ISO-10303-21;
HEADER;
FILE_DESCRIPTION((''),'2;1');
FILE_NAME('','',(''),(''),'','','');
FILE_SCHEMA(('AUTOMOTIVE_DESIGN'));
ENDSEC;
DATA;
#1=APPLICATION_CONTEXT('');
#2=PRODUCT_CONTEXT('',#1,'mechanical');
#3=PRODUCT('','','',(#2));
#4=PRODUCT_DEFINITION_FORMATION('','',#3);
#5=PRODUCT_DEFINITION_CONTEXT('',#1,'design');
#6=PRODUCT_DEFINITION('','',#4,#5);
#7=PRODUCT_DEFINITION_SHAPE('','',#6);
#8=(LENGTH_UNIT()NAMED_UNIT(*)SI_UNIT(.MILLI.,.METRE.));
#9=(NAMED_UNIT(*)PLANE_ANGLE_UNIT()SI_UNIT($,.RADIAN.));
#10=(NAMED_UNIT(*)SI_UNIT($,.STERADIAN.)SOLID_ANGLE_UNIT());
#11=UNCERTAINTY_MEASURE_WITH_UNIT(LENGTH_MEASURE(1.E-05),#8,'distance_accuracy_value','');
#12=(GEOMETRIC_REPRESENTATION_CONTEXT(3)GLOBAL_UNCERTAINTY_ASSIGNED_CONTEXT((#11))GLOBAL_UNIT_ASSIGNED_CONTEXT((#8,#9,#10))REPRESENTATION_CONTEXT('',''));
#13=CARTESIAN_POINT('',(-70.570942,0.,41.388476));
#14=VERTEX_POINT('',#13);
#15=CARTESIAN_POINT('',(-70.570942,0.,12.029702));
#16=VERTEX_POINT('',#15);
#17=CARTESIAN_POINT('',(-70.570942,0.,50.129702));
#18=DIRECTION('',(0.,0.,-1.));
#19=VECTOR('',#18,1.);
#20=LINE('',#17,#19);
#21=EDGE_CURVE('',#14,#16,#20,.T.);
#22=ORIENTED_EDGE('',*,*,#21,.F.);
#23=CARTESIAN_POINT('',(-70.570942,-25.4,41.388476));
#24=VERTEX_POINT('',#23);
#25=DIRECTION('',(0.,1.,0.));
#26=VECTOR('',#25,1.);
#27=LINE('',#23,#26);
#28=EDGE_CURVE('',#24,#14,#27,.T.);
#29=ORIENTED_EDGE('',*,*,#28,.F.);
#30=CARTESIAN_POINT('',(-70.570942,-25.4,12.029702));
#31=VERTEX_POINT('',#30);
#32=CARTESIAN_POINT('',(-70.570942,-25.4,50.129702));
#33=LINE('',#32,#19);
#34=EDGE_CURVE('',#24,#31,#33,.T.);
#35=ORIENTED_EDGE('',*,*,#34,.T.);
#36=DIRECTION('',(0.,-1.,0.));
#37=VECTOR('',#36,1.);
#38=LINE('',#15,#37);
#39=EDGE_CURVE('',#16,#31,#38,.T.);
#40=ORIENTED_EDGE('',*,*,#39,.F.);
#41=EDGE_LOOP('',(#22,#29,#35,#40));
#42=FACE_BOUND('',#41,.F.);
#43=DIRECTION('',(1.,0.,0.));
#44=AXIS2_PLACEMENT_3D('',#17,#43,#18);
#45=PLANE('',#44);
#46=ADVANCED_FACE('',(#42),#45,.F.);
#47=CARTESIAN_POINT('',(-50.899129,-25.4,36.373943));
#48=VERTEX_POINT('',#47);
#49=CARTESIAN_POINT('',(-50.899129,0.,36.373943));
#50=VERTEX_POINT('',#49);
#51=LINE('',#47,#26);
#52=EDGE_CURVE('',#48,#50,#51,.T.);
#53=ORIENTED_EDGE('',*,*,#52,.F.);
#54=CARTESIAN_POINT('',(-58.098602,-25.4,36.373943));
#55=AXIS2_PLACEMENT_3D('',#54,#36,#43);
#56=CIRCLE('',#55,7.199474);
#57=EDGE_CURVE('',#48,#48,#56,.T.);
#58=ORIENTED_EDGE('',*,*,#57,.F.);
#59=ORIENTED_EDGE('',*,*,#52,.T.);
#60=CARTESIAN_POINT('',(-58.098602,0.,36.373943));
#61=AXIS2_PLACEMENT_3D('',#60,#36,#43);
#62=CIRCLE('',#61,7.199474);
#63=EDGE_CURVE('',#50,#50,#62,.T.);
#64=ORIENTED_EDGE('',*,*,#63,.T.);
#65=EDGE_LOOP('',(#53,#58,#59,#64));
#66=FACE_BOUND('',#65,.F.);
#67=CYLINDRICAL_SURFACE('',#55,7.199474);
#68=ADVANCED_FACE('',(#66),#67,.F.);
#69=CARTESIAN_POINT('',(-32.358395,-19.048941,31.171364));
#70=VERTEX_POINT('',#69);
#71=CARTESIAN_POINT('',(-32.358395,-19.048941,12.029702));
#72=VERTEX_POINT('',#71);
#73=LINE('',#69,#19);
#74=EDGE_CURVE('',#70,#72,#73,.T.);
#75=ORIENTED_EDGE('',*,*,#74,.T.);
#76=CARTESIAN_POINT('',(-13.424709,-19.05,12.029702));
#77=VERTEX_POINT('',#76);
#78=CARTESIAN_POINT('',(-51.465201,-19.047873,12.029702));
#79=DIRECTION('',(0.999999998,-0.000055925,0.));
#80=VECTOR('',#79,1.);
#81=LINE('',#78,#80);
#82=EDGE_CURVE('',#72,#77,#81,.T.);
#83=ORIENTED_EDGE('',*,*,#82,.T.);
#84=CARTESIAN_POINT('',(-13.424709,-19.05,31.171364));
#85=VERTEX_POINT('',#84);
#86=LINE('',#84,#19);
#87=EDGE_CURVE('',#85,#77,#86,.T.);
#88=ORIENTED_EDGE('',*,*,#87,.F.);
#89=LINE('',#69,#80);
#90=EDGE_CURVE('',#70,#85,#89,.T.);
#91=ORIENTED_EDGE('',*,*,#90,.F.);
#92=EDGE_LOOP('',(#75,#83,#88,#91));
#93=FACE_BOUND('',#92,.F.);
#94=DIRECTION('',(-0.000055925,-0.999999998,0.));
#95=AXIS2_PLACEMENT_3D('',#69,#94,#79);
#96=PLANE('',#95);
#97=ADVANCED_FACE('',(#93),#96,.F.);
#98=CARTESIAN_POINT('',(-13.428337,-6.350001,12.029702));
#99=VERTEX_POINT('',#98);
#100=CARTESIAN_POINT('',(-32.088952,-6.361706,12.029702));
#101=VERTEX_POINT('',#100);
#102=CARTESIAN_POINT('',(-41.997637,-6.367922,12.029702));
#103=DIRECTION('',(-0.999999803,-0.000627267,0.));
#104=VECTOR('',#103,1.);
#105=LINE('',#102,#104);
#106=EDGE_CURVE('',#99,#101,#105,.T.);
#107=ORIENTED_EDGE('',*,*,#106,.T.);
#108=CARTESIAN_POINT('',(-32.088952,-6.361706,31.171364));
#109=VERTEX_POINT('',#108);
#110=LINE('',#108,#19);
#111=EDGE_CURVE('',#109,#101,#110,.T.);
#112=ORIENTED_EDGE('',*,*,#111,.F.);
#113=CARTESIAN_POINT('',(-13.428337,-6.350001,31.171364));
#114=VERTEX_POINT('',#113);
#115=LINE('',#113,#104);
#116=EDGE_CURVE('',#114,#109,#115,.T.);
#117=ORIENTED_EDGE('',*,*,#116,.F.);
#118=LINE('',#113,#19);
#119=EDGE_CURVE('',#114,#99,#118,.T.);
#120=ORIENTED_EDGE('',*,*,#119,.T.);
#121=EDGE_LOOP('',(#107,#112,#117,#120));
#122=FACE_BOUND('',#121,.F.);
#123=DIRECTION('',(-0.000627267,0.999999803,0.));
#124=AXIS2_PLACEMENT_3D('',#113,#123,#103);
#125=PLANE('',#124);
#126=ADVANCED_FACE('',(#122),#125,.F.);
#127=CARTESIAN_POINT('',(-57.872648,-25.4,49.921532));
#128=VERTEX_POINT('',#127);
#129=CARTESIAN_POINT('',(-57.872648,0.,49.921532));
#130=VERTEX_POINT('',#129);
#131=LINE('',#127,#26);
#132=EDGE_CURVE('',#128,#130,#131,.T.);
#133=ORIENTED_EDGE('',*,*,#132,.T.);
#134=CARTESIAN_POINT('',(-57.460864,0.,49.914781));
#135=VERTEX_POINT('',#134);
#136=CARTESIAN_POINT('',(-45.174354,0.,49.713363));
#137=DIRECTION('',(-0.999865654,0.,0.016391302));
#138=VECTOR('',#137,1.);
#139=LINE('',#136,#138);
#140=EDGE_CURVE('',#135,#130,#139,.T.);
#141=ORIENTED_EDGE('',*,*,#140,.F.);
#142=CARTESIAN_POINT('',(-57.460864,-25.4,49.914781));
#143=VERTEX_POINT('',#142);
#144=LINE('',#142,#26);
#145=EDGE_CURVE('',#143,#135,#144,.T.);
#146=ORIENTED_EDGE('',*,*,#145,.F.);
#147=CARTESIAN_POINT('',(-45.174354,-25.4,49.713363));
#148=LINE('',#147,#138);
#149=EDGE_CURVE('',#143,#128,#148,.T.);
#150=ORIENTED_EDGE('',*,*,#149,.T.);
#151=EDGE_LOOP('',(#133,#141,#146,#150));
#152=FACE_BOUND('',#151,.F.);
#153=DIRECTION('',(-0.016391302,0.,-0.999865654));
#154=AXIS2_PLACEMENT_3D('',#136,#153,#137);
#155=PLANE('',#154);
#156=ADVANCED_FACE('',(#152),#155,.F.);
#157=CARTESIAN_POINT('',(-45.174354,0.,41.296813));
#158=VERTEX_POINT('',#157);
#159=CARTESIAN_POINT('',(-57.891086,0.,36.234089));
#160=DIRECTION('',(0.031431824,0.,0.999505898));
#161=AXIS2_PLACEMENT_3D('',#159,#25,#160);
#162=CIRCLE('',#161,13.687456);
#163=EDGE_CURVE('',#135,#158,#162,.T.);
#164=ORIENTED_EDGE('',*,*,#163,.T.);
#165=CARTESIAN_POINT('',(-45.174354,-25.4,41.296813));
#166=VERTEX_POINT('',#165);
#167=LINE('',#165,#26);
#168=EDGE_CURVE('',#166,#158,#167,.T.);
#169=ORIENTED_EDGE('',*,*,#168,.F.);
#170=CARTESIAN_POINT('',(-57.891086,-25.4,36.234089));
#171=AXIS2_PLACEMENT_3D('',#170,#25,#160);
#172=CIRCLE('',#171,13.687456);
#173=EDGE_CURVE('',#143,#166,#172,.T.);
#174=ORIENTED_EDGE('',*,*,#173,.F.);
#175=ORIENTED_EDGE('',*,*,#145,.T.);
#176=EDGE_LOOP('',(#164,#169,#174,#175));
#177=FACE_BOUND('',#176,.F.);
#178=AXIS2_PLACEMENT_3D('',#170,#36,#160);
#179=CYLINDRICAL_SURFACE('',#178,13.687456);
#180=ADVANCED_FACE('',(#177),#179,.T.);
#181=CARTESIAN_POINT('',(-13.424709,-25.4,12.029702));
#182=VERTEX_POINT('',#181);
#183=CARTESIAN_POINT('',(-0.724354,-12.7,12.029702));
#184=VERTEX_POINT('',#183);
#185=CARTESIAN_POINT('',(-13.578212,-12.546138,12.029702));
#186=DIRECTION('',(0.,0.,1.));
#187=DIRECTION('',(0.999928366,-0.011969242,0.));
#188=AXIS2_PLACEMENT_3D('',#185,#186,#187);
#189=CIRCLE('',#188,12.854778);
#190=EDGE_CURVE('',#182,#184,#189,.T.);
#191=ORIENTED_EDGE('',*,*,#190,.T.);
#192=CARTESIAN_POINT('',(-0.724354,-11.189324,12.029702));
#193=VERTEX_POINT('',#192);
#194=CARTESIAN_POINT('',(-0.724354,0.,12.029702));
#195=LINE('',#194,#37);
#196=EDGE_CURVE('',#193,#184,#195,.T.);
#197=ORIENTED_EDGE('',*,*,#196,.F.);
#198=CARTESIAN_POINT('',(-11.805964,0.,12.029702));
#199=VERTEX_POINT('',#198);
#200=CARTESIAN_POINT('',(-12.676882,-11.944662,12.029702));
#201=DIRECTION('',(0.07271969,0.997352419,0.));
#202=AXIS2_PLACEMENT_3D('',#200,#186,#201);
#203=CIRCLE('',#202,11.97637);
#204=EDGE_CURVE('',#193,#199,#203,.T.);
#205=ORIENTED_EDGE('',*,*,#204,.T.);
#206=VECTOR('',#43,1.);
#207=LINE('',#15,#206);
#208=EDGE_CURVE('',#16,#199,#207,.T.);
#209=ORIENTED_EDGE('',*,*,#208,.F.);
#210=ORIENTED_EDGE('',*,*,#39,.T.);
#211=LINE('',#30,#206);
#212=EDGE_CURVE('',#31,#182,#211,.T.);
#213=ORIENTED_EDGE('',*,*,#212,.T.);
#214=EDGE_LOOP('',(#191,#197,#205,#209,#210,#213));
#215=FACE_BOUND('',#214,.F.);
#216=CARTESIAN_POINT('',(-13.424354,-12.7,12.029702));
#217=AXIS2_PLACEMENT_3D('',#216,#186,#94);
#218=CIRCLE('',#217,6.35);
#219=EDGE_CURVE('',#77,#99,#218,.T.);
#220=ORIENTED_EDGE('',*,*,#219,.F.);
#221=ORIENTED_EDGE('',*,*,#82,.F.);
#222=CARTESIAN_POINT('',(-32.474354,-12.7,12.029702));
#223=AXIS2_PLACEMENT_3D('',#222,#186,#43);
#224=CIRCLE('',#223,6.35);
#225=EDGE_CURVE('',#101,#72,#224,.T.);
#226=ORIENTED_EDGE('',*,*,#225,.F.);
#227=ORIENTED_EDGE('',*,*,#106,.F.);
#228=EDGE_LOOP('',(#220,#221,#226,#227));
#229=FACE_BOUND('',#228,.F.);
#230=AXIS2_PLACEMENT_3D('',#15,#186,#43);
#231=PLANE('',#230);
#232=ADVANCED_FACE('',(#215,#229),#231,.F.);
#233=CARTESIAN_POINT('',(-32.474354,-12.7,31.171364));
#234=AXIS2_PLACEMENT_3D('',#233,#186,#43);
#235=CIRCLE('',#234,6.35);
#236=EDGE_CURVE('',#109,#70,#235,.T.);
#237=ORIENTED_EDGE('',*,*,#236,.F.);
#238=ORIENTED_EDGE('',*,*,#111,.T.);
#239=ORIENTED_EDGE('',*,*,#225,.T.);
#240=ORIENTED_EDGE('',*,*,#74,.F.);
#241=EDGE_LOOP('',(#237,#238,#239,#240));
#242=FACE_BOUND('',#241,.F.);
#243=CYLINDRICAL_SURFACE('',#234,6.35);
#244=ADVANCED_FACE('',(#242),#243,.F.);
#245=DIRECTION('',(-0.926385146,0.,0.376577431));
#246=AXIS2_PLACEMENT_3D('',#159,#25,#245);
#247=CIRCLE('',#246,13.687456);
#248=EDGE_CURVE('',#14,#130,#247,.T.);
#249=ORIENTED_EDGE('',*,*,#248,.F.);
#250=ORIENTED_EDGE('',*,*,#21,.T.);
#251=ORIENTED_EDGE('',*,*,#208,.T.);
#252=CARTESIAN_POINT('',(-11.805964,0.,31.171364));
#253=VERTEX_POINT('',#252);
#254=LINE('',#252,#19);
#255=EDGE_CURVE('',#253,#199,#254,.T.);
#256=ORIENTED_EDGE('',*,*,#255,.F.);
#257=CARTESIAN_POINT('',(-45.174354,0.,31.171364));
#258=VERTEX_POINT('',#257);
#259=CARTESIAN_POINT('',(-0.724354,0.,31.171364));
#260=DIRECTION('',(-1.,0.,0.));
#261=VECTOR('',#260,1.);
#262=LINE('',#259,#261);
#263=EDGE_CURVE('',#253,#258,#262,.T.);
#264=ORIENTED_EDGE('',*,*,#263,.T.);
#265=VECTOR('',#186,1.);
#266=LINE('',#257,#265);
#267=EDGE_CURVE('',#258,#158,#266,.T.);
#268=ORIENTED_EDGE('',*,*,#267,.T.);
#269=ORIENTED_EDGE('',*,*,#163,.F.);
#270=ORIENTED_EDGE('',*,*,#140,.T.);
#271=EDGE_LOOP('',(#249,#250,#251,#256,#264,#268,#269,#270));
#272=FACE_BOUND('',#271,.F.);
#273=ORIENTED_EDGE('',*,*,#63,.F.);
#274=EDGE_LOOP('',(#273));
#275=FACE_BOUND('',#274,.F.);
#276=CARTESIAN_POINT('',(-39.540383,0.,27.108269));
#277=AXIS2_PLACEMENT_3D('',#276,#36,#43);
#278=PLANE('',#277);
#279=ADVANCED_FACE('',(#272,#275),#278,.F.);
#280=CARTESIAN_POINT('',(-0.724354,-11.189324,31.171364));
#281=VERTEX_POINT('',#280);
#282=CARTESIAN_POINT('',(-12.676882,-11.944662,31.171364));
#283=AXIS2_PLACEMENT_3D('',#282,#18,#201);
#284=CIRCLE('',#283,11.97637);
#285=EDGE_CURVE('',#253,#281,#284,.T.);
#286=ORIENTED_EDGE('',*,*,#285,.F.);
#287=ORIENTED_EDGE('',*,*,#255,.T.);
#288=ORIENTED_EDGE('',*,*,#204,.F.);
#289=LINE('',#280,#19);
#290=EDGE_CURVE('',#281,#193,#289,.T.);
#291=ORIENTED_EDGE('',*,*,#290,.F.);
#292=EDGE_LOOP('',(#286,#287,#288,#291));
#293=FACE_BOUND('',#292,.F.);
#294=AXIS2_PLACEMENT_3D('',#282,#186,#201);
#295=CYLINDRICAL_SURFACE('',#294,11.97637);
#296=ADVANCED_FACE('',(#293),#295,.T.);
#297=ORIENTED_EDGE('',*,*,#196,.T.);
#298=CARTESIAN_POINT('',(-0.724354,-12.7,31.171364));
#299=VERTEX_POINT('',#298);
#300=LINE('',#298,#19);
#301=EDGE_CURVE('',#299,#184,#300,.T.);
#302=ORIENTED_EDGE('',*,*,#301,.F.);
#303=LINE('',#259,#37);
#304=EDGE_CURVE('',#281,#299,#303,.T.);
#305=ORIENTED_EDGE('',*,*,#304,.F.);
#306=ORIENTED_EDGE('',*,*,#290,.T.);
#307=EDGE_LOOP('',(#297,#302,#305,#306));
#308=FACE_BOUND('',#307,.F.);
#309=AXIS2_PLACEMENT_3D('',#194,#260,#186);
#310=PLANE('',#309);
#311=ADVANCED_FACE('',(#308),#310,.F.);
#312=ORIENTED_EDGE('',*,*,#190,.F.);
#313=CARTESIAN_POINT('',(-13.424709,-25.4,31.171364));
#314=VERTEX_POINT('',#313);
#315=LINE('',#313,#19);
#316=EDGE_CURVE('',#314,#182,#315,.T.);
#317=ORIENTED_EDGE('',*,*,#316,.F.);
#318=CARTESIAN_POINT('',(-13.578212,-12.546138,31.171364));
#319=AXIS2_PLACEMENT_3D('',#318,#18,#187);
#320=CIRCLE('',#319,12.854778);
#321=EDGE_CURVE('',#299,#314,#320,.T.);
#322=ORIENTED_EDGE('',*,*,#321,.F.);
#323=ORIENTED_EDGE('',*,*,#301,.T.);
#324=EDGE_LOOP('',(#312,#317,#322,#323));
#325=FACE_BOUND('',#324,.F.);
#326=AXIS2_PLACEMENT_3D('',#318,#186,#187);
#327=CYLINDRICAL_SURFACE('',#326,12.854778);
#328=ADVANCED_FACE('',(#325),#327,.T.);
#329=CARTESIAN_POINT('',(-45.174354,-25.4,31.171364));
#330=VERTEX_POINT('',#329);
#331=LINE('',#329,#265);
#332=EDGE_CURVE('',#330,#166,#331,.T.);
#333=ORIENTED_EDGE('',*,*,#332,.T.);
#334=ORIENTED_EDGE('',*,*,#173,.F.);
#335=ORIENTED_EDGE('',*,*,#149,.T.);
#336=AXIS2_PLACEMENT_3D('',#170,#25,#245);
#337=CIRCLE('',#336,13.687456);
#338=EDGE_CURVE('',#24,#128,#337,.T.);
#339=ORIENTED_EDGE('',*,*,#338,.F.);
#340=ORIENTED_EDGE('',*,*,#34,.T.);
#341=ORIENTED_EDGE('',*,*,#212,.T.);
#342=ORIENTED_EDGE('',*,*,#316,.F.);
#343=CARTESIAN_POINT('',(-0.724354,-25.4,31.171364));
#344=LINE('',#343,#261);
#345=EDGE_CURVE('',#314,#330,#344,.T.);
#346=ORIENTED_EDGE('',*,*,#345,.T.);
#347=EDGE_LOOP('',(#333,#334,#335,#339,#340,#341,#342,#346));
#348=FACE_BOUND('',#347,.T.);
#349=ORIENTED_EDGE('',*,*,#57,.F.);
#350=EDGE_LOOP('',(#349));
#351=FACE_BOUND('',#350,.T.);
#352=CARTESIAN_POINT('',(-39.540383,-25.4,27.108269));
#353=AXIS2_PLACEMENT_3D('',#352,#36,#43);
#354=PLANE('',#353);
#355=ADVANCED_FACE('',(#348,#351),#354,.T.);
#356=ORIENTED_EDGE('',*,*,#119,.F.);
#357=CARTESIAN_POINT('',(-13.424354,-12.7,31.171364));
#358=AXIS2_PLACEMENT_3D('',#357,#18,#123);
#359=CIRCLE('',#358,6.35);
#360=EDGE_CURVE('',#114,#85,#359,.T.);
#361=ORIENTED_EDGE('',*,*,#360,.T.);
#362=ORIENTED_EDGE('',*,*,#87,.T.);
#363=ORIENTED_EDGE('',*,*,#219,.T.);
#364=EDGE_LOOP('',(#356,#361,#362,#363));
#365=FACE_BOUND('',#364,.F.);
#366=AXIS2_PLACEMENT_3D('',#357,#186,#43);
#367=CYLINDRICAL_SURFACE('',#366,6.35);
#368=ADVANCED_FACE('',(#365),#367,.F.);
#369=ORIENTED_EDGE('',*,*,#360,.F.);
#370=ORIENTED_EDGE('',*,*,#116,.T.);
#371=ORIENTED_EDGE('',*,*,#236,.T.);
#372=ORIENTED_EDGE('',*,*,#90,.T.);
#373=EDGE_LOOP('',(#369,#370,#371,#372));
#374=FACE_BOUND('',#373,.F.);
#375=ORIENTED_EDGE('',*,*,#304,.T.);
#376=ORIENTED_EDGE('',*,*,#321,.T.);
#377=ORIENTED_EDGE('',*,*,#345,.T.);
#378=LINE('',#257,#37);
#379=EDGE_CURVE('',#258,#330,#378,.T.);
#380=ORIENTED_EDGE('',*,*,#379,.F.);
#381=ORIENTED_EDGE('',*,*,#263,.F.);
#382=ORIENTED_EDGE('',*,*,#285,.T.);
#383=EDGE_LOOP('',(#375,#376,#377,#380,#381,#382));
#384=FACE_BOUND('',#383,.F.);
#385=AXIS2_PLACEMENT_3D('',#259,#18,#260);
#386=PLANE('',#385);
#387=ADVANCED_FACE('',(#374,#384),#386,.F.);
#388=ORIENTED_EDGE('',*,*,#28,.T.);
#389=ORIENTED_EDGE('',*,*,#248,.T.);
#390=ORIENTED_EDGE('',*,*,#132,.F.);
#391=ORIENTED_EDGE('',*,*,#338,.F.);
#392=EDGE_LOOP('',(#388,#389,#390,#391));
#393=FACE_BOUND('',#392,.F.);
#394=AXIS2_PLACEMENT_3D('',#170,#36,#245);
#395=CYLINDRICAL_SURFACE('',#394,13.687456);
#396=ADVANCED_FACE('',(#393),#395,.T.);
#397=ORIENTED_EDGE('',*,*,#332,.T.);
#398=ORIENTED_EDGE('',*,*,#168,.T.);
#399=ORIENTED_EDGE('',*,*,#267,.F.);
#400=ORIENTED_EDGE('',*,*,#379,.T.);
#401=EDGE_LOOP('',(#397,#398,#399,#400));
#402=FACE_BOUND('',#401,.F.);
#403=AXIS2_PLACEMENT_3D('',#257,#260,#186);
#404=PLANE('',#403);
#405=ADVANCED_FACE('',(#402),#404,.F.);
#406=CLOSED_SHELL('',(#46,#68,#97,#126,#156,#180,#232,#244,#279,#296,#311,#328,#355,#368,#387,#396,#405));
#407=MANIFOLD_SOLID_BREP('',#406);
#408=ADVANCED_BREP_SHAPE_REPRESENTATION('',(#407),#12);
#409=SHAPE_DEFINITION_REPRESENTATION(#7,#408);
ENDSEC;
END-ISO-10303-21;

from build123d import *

# Parameters (mm, degrees)
F1_DEPTH  = 25.4
F2_R      = 6.35
F3_DEPTH  = 19.1426622189
F5_DEPTH  = 19.1426622189
F6_R      = 7.1994737013
F7_DEPTH  = 25.401
F9_DEPTH  = 25.4
F11_DEPTH = 19.1426622189


with BuildPart() as f1:
    # F0 (on Front) → F1 (new body)
    with BuildSketch(Plane.XZ):
        Polygon((-45.1743540521, 49.7133625326), (-70.570941653, 50.1297016121), (-70.570941653, 12.0297016121), (-0.7243540521, 12.0297016121), (-0.7243540521, 31.171363831), (-45.1743540521, 31.171363831), align=None)
    extrude(amount=F1_DEPTH)

    # F2 (on face) → F3 (cut, through all)
    with BuildSketch(Plane.XY.offset(31.171363831)):
        with Locations((-32.4743540521, -12.7)):
            Circle(F2_R)
        with Locations((-13.4243540521, -12.7)):
            Circle(F2_R)
    extrude(amount=-F3_DEPTH, mode=Mode.SUBTRACT)

    # F4 (on face) → F5 (cut, through all)
    with BuildSketch(Plane.XY.offset(31.171363831)):
        with BuildLine():
            Line((-13.4283372002, -6.3500012492), (-32.0889518764, -6.3617064471))
            ThreePointArc((-32.0889518764, -6.3617064471), (-27.8499728061, -8.3482649332), (-26.1243540521, -12.7))
            ThreePointArc((-26.1243540521, -12.7), (-27.9434136021, -17.1489412941), (-32.3583945682, -19.0489411242))
            Line((-32.3583945682, -19.0489411242), (-13.4247091757, -19.0499999901))
            ThreePointArc((-13.4247091757, -19.0499999901), (-19.774353793, -12.7018140123), (-13.4283372002, -6.3500012492))
        make_face()
    extrude(amount=-F5_DEPTH, mode=Mode.SUBTRACT)

    # F6 (on face) → F7 (cut, through all)
    with BuildSketch(Plane.XZ.offset(25.4)):
        with Locations((-58.0986022331, 36.3739425377)):
            Circle(F6_R)
    extrude(amount=-F7_DEPTH, mode=Mode.SUBTRACT)

    # F8 (on face) → F9 (cut)
    with BuildSketch(Plane.XZ.offset(25.4)):
        with BuildLine():
            ThreePointArc((-57.4608641224, 49.9147814938), (-50.0311914148, 47.4398241259), (-45.1743540521, 41.2968133537))
            Line((-45.1743540521, 41.2968133537), (-45.1743540521, 49.7133625326))
            Line((-45.1743540521, 49.7133625326), (-57.4608641224, 49.9147814938))
        make_face()
        with BuildLine():
            ThreePointArc((-70.570941653, 41.3884755726), (-65.5252942865, 47.5947800385), (-57.8726478526, 49.9215320724))
            Line((-57.8726478526, 49.9215320724), (-70.570941653, 50.1297016121))
            Line((-70.570941653, 50.1297016121), (-70.570941653, 41.3884755726))
        make_face()
    extrude(amount=-F9_DEPTH, mode=Mode.SUBTRACT)

    # F10 (on face) → F11 (cut, through all)
    with BuildSketch(Plane.XY.offset(31.171363831)):
        with BuildLine():
            ThreePointArc((-11.8059636609, 0), (-4.1674496382, -3.5171465582), (-0.7243540521, -11.1893241612))
            Line((-0.7243540521, -11.1893241612), (-0.7243540521, 0))
            Line((-0.7243540521, 0), (-11.8059636609, 0))
        make_face()
        with BuildLine():
            Line((-0.7243540521, -25.4), (-0.7243540521, -12.7))
            ThreePointArc((-0.7243540521, -12.7), (-4.4886377498, -21.6359661722), (-13.4247091757, -25.4))
            Line((-13.4247091757, -25.4), (-0.7243540521, -25.4))
        make_face()
    extrude(amount=-F11_DEPTH, mode=Mode.SUBTRACT)


solid = f1.part
